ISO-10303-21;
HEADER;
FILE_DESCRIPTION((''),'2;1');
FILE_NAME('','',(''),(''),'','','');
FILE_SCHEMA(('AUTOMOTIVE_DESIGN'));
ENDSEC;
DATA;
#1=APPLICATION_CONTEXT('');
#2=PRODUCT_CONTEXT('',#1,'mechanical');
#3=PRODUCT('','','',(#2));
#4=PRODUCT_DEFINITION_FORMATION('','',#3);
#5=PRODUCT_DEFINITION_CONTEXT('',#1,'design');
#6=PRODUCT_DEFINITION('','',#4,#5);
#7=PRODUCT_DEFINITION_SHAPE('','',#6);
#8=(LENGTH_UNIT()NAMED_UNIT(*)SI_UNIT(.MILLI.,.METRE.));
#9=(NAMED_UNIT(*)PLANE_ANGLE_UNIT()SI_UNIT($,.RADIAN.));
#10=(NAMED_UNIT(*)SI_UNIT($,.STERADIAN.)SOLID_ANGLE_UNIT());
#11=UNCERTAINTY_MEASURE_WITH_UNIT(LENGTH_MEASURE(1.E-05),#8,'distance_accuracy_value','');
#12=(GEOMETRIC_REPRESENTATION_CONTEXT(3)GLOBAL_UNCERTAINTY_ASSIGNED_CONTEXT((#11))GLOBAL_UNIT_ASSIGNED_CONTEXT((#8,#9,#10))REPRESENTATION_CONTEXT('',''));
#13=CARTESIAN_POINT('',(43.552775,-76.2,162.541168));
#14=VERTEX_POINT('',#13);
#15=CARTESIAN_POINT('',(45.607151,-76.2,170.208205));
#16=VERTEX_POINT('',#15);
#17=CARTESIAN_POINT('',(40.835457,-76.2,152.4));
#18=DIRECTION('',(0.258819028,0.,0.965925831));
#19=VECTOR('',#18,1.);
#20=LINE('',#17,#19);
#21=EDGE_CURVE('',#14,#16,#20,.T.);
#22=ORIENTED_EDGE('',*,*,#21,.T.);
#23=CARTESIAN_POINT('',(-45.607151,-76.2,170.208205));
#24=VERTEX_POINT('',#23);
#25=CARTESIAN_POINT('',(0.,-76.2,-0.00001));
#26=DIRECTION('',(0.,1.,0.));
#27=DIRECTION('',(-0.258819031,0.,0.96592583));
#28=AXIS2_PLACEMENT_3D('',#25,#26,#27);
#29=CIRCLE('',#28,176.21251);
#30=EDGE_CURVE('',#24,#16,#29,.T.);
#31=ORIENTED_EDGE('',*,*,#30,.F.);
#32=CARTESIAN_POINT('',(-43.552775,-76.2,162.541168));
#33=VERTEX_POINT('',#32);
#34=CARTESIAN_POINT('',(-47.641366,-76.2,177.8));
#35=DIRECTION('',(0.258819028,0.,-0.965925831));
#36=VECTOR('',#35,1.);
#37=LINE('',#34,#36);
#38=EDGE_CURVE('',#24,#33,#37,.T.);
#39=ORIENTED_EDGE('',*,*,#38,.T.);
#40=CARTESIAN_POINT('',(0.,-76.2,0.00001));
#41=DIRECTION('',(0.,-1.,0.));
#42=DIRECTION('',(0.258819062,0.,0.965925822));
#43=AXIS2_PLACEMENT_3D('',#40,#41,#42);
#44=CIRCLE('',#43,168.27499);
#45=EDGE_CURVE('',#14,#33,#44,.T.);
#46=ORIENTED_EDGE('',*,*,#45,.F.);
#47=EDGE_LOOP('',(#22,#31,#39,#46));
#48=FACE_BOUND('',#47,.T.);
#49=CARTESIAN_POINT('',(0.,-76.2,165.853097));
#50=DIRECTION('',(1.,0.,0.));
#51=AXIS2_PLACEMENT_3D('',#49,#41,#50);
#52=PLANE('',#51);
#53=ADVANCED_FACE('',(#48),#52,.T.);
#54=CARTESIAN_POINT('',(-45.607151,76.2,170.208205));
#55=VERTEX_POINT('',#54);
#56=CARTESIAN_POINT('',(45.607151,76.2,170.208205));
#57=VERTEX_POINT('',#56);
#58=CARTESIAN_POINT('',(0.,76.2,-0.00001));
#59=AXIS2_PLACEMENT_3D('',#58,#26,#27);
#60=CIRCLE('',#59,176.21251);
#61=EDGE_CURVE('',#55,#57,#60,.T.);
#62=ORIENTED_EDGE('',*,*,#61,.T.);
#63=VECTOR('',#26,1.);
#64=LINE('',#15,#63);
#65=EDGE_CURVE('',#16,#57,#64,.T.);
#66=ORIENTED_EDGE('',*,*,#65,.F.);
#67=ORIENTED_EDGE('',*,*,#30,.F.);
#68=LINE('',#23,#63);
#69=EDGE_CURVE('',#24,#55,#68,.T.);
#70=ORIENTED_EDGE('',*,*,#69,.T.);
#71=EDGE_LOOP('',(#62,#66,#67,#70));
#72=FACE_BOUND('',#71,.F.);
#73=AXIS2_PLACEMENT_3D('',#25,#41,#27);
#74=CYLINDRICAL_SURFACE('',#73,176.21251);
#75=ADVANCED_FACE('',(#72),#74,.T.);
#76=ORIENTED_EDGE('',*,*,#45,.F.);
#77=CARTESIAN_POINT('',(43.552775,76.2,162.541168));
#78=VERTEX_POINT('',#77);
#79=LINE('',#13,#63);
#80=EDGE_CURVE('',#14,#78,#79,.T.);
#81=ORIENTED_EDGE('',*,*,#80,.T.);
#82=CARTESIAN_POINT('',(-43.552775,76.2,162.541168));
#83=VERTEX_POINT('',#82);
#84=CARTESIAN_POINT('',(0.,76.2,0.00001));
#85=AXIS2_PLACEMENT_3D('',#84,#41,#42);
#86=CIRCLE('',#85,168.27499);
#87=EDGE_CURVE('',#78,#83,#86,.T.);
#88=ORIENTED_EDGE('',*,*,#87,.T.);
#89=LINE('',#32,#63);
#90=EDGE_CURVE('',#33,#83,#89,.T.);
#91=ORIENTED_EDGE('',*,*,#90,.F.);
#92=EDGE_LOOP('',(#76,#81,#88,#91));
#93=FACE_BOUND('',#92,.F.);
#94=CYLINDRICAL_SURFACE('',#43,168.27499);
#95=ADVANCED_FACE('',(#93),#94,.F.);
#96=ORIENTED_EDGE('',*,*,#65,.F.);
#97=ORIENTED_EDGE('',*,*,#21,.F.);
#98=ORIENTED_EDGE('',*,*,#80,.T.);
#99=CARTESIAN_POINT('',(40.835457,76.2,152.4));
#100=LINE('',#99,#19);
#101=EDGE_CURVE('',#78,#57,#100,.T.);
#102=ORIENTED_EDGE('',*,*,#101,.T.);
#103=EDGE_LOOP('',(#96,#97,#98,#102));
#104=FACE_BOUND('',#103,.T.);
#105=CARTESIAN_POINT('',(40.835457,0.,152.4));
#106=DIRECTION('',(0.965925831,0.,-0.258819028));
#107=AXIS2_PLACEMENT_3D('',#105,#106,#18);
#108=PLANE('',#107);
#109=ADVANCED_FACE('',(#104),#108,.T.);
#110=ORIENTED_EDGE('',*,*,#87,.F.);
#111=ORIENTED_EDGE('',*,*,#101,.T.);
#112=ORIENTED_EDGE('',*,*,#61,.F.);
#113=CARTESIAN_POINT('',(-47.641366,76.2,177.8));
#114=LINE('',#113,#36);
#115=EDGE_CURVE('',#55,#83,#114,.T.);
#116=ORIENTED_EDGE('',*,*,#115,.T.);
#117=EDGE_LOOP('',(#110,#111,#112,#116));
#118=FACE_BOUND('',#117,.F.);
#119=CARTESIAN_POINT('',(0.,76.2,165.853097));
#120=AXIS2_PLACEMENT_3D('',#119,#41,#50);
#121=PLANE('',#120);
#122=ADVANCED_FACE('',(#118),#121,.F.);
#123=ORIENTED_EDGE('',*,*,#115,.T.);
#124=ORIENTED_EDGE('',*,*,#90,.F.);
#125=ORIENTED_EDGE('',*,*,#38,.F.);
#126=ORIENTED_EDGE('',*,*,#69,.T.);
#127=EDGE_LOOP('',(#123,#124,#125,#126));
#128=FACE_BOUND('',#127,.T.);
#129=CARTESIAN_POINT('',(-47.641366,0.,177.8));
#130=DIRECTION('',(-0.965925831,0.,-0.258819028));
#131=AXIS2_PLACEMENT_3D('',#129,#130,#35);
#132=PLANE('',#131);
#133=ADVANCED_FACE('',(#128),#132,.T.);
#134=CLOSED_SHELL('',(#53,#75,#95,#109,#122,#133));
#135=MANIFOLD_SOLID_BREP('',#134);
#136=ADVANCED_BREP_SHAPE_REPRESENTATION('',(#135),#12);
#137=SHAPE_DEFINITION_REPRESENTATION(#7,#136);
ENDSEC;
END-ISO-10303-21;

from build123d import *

# Parameters (mm, degrees)
F1_DEPTH = 76.2
F3_DEPTH = 152.4


with BuildPart() as f1:
    # F0 (on Front) → F1 (new body, symmetric)
    with BuildSketch(Plane.XZ):
        Polygon((47.641366, 177.8), (-47.641366, 177.8), (-40.835457, 152.4), (40.835457, 152.4), align=None)
    extrude(amount=F1_DEPTH, both=True)

    # F2 (on face) → F3 (cut, through all)
    with BuildSketch(Plane.XZ.offset(76.2)):
        with BuildLine():
            ThreePointArc((-45.607151, 170.208205), (0, 176.2125), (45.607151, 170.208205))
            Line((45.607151, 170.208205), (47.641366, 177.8))
            Line((47.641366, 177.8), (-47.641366, 177.8))
            Line((-47.641366, 177.8), (-45.607151, 170.208205))
        make_face()
        with BuildLine():
            Line((40.835457, 152.4), (43.552775, 162.541168))
            ThreePointArc((43.552775, 162.541168), (0, 168.275), (-43.552775, 162.541168))
            Line((-43.552775, 162.541168), (-40.835457, 152.4))
            Line((-40.835457, 152.4), (40.835457, 152.4))
        make_face()
    extrude(amount=-F3_DEPTH, mode=Mode.SUBTRACT)


solid = f1.part
